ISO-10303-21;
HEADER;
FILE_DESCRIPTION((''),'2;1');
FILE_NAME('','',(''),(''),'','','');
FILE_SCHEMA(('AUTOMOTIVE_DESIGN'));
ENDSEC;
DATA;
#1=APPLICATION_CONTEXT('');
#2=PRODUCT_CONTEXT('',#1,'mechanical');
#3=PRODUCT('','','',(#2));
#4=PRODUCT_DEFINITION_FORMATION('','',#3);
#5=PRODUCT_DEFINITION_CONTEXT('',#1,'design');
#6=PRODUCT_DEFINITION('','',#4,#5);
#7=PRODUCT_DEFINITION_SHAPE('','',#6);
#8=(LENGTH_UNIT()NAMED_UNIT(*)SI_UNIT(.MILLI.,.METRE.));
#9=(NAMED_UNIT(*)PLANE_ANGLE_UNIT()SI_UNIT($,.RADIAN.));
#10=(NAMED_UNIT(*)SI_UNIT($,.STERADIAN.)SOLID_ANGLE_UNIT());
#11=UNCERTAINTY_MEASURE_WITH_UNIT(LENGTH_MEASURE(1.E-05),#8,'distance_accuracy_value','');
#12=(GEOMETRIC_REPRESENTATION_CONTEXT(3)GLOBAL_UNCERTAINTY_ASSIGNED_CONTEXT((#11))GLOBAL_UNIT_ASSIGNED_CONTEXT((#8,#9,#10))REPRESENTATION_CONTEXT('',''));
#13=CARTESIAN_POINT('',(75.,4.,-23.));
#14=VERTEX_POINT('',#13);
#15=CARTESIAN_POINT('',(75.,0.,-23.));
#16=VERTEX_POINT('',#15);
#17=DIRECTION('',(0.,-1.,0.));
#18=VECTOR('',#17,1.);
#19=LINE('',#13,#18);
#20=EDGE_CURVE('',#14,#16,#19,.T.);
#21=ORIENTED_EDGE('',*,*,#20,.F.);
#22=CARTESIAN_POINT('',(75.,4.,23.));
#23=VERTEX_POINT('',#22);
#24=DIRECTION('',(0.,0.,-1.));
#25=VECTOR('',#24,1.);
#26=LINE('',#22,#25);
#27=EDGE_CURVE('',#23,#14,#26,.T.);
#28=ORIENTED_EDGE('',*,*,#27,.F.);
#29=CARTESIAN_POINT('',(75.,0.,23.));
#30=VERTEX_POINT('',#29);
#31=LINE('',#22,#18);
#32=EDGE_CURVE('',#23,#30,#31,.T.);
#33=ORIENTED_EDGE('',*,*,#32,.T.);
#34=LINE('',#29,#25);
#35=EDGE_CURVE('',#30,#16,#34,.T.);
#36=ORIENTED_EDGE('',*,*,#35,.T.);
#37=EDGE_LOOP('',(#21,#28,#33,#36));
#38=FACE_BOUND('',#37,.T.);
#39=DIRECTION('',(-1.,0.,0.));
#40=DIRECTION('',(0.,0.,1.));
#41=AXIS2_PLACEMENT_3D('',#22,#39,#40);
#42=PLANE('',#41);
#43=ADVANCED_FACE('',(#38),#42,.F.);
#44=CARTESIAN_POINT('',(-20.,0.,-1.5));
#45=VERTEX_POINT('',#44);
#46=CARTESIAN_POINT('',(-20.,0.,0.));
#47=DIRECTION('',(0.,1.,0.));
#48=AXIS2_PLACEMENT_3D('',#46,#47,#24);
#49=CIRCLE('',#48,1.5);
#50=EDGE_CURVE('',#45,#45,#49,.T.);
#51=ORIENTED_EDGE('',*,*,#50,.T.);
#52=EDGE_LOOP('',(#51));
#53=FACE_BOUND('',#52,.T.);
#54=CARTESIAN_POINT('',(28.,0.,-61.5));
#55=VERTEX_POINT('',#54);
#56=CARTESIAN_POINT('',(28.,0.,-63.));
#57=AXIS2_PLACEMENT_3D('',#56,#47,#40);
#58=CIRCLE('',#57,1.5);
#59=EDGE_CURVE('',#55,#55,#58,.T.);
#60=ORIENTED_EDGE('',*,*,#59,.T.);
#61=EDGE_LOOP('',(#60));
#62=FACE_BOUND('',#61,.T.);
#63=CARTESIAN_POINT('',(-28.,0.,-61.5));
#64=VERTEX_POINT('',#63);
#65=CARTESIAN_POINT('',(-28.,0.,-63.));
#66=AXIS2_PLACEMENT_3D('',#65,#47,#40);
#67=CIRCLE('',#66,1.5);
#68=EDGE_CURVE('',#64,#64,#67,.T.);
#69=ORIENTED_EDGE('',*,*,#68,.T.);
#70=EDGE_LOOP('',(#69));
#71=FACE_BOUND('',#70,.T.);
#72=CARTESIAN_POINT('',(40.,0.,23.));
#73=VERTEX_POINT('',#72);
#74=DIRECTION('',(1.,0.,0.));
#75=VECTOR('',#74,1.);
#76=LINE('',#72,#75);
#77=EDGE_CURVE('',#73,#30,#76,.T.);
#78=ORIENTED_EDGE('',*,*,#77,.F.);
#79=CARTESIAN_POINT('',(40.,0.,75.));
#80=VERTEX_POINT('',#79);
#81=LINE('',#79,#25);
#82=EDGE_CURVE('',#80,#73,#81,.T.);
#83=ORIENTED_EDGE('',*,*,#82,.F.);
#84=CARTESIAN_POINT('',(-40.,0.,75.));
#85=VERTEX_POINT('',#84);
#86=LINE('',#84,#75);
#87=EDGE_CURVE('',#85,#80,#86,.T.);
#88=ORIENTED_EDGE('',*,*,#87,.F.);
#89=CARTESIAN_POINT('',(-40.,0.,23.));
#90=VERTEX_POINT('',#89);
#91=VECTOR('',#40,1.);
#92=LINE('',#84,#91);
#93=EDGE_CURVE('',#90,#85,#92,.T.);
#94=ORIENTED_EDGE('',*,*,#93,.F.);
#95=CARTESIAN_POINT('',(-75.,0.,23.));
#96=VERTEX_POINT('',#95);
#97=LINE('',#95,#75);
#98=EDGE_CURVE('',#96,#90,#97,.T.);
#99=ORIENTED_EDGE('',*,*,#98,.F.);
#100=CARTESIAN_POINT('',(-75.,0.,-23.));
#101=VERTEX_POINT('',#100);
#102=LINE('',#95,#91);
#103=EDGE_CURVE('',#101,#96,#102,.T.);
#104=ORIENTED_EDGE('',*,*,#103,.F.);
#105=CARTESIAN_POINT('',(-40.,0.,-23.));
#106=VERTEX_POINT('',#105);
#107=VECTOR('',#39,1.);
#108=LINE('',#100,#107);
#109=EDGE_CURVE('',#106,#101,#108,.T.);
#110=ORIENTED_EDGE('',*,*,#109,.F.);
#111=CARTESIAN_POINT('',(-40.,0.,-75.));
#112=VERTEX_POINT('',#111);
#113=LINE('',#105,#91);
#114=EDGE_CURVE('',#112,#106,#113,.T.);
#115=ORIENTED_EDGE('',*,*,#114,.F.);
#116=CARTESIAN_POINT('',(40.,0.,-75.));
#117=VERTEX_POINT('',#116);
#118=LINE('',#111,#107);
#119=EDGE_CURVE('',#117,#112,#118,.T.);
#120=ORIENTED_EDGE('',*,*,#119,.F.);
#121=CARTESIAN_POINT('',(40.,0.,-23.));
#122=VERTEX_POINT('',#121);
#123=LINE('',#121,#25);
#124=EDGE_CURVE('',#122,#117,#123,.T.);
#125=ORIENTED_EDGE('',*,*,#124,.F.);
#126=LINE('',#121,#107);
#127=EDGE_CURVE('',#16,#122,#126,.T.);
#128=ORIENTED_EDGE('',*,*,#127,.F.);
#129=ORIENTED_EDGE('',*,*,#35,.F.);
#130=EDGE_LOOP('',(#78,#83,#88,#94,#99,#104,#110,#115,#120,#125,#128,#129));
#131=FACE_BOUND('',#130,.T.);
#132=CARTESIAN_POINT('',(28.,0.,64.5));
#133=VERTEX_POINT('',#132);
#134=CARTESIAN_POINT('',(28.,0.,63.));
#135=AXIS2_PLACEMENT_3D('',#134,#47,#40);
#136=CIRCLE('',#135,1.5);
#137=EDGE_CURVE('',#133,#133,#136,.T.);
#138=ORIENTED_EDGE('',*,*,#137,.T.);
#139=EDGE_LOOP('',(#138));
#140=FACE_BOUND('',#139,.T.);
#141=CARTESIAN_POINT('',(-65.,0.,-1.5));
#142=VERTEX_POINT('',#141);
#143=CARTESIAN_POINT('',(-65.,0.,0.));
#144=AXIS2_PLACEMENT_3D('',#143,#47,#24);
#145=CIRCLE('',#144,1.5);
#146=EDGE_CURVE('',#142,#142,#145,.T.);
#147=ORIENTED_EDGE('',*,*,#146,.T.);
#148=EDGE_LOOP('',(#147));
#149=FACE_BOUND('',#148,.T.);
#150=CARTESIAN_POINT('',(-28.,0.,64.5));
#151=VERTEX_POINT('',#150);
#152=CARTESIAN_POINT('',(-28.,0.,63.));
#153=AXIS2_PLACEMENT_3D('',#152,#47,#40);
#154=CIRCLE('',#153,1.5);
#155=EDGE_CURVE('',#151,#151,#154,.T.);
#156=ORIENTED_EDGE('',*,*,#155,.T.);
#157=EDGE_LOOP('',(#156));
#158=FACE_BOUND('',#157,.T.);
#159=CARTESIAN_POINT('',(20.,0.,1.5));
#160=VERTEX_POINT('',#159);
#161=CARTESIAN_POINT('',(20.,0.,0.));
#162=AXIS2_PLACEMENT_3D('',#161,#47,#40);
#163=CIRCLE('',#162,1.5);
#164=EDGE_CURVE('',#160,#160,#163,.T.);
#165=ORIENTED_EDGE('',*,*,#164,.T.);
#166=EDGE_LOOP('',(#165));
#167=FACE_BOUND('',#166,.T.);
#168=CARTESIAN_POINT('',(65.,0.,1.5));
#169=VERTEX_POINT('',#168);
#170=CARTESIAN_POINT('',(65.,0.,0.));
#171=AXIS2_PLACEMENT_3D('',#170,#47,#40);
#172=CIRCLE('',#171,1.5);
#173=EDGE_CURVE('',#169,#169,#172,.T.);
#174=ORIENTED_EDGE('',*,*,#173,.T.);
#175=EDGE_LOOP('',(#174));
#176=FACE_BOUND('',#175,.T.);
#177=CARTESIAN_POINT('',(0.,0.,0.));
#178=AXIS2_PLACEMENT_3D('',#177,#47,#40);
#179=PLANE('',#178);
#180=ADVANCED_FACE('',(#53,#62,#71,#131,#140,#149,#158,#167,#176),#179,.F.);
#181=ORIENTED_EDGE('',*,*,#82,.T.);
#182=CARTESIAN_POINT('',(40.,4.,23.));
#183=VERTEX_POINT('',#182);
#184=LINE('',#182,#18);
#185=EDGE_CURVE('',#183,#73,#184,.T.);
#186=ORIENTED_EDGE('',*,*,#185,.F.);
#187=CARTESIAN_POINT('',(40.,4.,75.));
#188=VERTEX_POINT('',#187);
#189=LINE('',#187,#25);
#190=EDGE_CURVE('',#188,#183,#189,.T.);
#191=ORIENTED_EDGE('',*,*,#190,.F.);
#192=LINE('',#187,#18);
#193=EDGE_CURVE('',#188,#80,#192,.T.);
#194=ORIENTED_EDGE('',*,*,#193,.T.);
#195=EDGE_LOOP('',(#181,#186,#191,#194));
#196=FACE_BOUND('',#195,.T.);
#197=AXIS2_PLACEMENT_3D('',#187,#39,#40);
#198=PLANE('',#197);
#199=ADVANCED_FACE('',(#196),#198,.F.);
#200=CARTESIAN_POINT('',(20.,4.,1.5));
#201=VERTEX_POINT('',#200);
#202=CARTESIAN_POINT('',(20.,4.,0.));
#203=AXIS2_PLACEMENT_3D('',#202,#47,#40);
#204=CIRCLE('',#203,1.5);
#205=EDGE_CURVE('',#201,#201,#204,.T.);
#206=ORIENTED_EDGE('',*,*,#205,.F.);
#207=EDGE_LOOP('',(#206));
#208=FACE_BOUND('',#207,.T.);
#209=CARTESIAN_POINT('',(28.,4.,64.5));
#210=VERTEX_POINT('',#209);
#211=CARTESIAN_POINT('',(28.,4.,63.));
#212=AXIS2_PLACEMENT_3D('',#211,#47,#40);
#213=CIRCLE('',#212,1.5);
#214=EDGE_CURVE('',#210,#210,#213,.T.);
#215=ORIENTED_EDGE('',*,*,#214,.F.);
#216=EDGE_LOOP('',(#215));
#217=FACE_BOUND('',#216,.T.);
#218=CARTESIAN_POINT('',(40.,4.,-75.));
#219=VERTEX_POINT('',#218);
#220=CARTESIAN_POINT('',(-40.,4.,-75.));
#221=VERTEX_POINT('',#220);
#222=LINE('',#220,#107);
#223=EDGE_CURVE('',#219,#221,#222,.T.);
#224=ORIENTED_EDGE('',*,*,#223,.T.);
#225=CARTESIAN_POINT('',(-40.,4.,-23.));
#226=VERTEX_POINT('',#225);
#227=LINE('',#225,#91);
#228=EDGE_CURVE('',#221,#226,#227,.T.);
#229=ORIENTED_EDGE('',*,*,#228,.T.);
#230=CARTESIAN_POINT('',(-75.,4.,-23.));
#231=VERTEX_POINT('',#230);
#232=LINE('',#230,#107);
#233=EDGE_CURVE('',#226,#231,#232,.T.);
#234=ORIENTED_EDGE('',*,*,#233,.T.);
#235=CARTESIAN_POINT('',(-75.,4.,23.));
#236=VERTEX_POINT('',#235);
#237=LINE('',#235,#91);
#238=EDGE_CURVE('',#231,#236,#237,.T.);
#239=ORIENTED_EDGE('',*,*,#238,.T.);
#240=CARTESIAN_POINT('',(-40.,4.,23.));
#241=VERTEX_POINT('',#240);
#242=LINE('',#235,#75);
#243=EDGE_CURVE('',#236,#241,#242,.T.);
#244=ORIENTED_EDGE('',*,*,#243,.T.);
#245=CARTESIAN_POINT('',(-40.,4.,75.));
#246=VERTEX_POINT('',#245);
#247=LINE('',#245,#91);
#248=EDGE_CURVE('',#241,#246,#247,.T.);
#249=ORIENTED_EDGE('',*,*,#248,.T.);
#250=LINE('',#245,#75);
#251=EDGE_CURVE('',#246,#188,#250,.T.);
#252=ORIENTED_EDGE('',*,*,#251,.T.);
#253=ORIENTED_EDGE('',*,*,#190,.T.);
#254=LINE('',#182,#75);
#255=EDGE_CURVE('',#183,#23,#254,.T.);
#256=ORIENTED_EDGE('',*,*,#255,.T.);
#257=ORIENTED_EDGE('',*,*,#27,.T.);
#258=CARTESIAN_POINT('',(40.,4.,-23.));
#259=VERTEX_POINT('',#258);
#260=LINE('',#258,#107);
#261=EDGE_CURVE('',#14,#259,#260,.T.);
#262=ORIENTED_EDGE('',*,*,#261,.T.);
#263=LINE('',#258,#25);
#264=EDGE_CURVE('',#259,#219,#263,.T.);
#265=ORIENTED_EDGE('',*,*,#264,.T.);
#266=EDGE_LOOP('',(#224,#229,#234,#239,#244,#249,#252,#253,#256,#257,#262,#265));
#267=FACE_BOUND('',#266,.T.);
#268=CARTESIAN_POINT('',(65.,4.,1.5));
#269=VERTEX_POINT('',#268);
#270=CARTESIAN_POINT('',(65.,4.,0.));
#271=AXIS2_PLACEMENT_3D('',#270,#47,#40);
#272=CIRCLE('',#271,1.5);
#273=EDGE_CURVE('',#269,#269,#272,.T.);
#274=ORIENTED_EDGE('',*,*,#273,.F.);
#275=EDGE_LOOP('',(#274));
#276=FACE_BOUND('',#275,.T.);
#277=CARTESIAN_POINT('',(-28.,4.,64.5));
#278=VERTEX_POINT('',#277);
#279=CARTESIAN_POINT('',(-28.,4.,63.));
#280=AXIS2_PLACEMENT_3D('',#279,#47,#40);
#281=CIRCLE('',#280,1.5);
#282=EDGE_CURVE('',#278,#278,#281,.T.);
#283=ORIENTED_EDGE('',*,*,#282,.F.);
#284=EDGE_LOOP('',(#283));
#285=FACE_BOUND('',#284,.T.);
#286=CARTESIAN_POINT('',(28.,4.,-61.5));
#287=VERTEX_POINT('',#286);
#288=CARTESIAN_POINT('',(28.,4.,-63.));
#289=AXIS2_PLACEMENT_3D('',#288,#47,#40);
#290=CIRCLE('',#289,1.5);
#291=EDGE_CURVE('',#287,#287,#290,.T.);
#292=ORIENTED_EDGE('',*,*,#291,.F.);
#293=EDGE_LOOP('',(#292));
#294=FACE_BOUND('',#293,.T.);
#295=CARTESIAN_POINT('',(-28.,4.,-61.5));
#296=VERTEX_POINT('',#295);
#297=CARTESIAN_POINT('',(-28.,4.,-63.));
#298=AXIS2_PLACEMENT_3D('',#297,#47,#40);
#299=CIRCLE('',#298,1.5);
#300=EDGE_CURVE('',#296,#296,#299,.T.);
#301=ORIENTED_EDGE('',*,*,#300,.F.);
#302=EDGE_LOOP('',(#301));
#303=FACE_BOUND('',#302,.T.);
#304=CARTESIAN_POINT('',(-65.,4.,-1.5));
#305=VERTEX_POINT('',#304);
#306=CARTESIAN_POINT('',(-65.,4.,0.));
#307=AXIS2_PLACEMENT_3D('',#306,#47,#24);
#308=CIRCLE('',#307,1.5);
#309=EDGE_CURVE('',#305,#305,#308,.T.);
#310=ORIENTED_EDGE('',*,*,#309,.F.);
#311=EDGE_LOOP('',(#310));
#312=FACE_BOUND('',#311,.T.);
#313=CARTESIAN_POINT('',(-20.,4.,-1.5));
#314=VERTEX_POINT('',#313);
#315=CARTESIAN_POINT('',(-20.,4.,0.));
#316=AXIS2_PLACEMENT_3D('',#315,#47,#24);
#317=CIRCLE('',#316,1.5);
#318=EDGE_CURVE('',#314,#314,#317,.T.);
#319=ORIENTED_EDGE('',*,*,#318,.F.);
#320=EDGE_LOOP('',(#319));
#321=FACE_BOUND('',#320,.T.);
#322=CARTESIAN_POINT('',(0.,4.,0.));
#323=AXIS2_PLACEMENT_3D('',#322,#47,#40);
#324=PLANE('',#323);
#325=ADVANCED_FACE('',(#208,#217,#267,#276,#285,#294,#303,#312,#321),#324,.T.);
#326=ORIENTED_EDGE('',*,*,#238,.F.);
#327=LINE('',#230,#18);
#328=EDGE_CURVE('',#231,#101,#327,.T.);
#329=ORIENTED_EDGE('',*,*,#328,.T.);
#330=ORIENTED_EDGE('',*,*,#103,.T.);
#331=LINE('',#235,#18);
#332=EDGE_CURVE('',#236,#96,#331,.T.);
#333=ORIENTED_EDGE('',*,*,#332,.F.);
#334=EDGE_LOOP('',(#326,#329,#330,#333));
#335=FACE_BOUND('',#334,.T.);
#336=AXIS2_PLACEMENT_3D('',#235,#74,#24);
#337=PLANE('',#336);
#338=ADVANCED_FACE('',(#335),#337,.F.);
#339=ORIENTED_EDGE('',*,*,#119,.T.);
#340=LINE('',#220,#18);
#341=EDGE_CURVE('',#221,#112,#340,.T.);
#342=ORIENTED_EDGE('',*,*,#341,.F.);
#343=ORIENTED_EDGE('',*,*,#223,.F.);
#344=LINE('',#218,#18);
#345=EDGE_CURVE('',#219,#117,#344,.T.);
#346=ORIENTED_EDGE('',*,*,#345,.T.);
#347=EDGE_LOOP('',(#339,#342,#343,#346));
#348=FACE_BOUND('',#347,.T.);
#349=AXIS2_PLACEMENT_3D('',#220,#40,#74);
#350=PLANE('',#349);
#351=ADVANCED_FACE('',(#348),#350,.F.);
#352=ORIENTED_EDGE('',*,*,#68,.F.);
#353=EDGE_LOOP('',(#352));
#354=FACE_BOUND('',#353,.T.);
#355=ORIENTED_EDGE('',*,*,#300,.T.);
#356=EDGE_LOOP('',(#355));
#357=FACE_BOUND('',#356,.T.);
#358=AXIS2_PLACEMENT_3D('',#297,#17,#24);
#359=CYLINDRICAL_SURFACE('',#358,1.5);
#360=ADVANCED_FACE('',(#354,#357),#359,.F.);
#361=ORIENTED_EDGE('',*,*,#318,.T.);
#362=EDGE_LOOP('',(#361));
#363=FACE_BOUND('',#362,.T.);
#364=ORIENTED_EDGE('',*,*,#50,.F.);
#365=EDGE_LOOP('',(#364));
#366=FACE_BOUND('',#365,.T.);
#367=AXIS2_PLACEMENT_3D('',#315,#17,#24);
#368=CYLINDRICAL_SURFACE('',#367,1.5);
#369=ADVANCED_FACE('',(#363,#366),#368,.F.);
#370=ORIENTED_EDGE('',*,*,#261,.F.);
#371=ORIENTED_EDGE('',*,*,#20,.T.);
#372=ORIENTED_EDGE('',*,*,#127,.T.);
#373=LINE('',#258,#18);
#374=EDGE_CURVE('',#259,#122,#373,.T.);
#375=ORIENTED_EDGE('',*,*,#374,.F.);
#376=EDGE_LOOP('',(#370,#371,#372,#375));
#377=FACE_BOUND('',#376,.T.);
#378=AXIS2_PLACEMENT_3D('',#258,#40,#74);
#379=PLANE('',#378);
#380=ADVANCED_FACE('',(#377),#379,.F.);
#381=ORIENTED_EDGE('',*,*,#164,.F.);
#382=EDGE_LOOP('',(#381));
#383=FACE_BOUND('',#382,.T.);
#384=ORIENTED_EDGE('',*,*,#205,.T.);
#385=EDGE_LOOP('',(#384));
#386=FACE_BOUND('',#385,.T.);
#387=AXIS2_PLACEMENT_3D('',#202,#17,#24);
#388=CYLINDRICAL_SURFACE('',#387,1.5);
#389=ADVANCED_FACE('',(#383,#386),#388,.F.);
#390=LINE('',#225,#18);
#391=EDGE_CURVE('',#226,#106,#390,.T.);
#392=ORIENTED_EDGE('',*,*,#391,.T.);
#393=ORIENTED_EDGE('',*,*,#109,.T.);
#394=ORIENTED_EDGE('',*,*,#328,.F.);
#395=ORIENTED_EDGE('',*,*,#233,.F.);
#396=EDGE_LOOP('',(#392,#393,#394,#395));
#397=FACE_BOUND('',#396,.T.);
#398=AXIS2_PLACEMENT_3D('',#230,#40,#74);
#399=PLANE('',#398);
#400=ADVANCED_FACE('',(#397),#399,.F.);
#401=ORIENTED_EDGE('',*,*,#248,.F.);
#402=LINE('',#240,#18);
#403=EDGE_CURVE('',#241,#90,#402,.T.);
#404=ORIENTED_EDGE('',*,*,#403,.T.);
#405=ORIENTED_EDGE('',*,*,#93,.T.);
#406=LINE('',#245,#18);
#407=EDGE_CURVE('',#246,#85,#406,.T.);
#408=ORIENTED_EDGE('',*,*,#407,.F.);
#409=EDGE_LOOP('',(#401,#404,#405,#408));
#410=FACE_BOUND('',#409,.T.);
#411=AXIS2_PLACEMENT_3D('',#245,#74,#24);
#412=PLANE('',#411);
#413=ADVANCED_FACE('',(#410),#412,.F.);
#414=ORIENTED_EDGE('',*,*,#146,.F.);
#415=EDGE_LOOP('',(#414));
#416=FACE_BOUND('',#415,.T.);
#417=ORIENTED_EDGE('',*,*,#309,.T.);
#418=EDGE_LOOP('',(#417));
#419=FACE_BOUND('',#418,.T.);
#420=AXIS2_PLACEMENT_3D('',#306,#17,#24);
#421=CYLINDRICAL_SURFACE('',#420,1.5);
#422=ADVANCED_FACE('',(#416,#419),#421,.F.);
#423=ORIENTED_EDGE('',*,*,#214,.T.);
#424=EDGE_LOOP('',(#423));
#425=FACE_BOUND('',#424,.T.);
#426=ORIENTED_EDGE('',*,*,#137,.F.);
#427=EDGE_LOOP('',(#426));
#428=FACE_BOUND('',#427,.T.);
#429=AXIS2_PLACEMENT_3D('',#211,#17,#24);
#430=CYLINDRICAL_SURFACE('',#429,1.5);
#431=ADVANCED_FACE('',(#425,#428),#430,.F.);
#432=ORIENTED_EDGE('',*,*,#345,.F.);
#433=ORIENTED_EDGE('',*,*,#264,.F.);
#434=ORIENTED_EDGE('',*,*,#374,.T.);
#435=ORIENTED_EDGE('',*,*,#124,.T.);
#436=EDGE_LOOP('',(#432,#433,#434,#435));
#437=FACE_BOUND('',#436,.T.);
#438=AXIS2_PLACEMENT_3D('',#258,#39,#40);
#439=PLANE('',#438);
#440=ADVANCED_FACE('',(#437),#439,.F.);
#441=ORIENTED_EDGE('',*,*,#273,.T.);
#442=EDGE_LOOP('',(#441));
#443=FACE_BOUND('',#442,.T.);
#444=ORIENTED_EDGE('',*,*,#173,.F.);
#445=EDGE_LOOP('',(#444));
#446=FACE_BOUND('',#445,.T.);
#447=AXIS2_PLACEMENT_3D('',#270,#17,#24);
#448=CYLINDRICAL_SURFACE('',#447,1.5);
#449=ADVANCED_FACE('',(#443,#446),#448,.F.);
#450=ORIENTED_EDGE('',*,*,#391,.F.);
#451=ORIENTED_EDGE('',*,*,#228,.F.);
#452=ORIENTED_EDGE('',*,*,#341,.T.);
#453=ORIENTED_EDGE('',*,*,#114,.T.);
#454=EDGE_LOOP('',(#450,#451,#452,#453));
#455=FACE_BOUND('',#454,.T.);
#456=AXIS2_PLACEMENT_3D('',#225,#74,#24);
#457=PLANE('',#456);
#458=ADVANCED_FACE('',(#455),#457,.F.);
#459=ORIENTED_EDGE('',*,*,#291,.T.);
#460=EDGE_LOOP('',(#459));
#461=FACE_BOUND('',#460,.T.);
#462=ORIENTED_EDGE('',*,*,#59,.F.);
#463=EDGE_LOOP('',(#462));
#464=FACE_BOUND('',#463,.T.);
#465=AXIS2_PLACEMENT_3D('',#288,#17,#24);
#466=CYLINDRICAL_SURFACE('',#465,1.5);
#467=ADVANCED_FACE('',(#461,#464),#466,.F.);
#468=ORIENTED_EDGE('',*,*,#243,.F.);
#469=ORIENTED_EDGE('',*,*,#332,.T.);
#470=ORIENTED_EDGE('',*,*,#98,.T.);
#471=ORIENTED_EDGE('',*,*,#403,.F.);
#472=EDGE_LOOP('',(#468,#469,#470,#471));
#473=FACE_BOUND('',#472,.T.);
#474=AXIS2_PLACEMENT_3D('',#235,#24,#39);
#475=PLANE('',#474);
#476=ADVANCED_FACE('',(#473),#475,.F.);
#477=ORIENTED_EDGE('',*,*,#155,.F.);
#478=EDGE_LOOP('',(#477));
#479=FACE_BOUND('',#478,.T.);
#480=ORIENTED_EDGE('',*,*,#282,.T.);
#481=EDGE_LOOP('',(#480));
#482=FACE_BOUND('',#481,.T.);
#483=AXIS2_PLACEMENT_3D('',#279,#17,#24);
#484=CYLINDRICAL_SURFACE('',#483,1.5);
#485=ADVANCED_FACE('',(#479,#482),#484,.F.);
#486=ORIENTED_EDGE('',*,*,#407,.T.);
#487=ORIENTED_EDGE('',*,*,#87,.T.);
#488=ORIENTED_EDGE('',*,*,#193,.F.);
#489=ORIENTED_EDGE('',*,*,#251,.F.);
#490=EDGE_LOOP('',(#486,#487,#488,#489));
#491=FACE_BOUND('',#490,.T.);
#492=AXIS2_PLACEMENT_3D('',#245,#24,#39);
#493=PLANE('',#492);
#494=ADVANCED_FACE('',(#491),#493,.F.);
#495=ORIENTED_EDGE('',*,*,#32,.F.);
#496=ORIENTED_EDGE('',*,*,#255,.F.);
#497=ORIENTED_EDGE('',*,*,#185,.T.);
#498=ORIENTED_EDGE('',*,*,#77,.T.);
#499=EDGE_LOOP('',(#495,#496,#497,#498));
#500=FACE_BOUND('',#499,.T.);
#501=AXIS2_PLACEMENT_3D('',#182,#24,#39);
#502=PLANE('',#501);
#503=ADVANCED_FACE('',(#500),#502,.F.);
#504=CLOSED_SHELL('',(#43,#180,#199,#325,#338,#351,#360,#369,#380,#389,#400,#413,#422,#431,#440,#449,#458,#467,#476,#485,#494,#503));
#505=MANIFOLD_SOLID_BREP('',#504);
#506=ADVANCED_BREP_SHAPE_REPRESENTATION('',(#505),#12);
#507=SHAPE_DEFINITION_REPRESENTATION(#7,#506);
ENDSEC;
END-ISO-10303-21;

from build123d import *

# Parameters (mm, degrees)
SKETCH1_R           = 1.5
BOSS_EXTRUDE1_DEPTH = 4


with BuildPart() as part:
    # Sketch1 → Boss-Extrude1 (new body)
    with BuildSketch(Plane(origin=(0, 0, 0), x_dir=(1, 0, 0), z_dir=(0, 1, 0))):
        Polygon((-75, -23), (-40, -23), (-40, -75), (40, -75), (40, -23), (75, -23), (75, 23), (40, 23), (40, 75), (-40, 75), (-40, 23), (-75, 23), align=None)
        with Locations(Location((20, 0, 0), (0, 0, 270))):
            Circle(SKETCH1_R, mode=Mode.SUBTRACT)
        with Locations(Location((65, 0, 0), (0, 0, 270))):
            Circle(SKETCH1_R, mode=Mode.SUBTRACT)
        with Locations(Location((-65, 0, 0), (0, 0, 90))):
            Circle(SKETCH1_R, mode=Mode.SUBTRACT)
        with Locations(Location((-20, 0, 0), (0, 0, 90))):
            Circle(SKETCH1_R, mode=Mode.SUBTRACT)
        with Locations(Location((-28, 63, 0), (0, 0, 270))):
            Circle(SKETCH1_R, mode=Mode.SUBTRACT)
        with Locations(Location((28, 63, 0), (0, 0, 270))):
            Circle(SKETCH1_R, mode=Mode.SUBTRACT)
        with Locations(Location((28, -63, 0), (0, 0, 270))):
            Circle(SKETCH1_R, mode=Mode.SUBTRACT)
        with Locations(Location((-28, -63, 0), (0, 0, 270))):
            Circle(SKETCH1_R, mode=Mode.SUBTRACT)
    extrude(amount=BOSS_EXTRUDE1_DEPTH)


solid = part.part
